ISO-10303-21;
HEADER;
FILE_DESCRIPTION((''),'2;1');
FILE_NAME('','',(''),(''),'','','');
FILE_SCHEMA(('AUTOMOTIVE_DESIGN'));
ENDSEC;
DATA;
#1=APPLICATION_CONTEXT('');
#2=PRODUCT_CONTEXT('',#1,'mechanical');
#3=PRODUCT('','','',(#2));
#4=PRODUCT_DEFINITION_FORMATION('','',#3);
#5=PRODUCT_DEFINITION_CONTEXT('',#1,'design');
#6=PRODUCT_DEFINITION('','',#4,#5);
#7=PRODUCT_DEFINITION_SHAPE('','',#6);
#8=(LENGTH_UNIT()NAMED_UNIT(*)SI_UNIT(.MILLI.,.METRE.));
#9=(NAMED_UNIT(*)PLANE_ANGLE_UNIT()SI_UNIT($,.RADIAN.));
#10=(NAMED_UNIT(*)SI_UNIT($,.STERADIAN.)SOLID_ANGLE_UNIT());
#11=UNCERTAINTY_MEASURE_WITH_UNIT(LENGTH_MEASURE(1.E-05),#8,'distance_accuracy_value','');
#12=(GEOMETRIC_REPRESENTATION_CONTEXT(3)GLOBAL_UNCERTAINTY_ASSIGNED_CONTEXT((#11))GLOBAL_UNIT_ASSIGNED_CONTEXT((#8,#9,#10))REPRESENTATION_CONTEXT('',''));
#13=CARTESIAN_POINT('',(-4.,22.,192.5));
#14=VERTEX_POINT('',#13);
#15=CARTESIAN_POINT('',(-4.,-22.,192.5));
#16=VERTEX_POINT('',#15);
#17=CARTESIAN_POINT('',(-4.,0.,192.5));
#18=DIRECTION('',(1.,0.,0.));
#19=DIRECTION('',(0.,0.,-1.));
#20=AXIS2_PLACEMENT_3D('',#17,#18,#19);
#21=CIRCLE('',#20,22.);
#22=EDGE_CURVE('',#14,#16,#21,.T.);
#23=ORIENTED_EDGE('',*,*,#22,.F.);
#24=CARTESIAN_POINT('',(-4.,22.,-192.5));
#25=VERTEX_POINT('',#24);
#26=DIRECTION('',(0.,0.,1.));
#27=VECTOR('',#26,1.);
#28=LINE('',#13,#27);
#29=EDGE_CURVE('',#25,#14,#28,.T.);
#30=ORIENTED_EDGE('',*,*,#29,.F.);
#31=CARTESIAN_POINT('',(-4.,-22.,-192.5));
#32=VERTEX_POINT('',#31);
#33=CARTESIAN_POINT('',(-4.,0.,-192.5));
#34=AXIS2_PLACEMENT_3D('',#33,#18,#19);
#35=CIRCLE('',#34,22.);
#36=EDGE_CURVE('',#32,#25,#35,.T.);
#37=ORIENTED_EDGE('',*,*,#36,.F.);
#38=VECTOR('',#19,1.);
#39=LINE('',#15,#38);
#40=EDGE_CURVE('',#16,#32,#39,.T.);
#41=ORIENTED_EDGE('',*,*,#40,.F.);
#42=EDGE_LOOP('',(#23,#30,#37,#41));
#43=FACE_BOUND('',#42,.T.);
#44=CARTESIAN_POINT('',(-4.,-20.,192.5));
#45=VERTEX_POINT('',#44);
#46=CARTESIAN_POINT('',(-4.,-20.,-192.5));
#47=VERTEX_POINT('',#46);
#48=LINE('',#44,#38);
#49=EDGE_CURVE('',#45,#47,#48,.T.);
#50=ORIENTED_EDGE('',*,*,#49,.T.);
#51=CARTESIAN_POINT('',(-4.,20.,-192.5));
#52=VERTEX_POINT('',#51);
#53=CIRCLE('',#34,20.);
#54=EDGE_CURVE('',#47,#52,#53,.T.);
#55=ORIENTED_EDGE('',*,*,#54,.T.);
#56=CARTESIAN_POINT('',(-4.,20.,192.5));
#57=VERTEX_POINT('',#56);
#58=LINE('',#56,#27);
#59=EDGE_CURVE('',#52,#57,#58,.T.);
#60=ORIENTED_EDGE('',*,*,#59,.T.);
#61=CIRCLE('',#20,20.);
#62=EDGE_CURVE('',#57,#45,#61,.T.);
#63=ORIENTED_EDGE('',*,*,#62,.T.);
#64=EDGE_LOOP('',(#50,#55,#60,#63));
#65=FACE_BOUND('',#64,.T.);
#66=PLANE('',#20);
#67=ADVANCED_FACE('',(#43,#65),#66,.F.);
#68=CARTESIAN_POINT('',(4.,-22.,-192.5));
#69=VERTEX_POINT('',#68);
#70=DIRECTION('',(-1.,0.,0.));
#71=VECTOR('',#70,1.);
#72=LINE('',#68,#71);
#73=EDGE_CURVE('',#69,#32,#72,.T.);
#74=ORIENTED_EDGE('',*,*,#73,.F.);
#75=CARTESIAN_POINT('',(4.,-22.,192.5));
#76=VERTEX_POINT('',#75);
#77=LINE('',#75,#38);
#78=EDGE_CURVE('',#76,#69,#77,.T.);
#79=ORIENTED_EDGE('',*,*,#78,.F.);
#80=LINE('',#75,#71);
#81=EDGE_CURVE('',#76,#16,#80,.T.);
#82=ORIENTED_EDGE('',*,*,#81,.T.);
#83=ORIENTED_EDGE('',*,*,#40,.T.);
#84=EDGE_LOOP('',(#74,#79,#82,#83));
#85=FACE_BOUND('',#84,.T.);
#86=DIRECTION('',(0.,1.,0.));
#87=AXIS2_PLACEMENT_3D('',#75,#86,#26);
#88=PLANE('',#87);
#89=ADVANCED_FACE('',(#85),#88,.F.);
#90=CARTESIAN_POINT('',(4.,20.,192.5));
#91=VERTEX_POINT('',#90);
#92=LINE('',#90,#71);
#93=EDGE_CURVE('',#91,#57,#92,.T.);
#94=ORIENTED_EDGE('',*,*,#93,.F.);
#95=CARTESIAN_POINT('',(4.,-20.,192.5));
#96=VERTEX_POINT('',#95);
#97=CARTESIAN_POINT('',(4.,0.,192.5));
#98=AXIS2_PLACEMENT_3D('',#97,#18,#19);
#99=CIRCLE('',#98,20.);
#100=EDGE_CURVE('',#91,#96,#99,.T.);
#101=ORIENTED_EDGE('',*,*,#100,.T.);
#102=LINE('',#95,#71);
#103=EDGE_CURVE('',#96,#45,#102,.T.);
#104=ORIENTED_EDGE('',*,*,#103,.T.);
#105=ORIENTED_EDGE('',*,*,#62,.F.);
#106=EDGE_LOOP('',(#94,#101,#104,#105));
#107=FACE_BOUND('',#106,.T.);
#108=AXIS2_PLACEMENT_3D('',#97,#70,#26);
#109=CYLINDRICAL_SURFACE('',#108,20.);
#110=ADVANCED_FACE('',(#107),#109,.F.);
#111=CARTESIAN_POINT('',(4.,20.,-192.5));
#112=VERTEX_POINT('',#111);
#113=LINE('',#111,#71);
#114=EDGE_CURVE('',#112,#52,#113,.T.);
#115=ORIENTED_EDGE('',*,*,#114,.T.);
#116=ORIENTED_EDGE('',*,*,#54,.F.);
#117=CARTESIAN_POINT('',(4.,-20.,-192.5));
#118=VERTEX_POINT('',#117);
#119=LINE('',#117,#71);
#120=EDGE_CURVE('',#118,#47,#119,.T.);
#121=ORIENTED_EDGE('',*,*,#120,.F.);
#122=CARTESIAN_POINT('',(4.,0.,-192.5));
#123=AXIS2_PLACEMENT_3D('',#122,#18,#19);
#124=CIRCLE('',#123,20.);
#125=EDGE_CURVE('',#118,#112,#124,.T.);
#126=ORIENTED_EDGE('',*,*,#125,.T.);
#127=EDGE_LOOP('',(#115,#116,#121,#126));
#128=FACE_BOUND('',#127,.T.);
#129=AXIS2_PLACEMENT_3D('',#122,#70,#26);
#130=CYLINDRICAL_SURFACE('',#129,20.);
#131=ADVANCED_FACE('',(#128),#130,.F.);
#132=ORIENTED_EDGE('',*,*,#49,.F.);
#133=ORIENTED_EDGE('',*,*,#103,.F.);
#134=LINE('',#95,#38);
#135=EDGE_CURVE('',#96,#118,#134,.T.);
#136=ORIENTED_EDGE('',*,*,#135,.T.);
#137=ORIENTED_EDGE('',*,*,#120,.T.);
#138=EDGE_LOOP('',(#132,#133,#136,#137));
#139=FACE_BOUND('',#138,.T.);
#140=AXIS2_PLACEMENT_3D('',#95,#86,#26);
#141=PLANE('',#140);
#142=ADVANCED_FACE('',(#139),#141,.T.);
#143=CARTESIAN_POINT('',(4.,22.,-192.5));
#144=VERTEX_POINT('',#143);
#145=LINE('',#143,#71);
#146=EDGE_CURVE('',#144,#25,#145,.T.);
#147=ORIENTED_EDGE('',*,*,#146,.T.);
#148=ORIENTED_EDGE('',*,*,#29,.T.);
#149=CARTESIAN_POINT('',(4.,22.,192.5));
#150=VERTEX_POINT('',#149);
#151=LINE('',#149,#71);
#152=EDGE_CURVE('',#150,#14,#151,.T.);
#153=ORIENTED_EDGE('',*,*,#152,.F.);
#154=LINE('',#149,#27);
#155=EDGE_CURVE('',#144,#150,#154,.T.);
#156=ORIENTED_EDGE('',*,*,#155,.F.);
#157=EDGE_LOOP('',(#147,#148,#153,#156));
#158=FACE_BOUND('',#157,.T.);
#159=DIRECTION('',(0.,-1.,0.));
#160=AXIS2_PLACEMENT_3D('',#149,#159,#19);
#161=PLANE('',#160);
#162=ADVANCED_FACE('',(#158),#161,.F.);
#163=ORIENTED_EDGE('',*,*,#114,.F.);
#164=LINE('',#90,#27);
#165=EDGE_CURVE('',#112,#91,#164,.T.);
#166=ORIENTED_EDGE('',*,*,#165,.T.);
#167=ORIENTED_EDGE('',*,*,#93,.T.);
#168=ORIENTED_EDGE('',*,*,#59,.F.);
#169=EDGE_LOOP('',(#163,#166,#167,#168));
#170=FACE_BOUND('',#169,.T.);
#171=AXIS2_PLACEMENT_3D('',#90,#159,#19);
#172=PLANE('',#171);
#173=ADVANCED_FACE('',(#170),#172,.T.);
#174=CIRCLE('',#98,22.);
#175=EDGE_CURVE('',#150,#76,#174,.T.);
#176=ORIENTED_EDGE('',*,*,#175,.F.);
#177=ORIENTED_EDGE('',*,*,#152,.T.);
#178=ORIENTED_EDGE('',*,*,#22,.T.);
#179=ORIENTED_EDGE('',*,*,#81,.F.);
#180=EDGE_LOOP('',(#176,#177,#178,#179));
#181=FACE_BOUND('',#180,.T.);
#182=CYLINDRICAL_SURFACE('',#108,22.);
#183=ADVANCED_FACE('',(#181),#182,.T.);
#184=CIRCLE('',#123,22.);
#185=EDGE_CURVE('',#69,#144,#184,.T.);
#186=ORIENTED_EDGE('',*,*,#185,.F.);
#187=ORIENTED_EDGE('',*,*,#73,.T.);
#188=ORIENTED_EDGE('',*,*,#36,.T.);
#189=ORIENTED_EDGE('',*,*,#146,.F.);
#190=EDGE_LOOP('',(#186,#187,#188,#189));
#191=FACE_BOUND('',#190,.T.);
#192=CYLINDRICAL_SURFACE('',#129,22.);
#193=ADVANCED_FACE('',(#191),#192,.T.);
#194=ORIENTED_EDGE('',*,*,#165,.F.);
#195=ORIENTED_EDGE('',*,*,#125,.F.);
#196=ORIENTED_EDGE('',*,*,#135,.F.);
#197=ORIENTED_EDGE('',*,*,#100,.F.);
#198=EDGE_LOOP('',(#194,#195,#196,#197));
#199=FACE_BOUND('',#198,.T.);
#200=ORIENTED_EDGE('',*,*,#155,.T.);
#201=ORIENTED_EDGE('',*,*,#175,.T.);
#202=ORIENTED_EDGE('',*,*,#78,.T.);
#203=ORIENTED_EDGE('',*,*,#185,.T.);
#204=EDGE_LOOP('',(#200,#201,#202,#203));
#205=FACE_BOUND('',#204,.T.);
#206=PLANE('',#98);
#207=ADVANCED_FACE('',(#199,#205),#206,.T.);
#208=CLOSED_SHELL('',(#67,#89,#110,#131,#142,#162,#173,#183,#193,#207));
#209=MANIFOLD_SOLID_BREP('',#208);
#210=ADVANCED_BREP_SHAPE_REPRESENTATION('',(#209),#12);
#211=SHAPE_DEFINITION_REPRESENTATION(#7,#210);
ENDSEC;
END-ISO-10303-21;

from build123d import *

# Parameters (mm, degrees)
EXTRUDE_1_DEPTH = 4


with BuildPart() as part:
    # 草图1 → 拉伸-薄壁1 (new, symmetric)
    with BuildSketch(Plane(origin=(0, 0, 0), x_dir=(0, 0, -1), z_dir=(1, 0, 0))):
        with BuildLine():
            Line((192.5, -22), (-192.5, -22))
            ThreePointArc((-192.5, -22), (-214.5, 0), (-192.5, 22))
            Line((-192.5, 22), (192.5, 22))
            ThreePointArc((192.5, 22), (214.5, 0), (192.5, -22))
        make_face()
        with BuildLine():
            Line((192.5, -20), (-192.5, -20))
            ThreePointArc((-192.5, -20), (-212.5, 0), (-192.5, 20))
            Line((-192.5, 20), (192.5, 20))
            ThreePointArc((192.5, 20), (212.5, 0), (192.5, -20))
        make_face(mode=Mode.SUBTRACT)
    extrude(amount=EXTRUDE_1_DEPTH, both=True)


solid = part.part
